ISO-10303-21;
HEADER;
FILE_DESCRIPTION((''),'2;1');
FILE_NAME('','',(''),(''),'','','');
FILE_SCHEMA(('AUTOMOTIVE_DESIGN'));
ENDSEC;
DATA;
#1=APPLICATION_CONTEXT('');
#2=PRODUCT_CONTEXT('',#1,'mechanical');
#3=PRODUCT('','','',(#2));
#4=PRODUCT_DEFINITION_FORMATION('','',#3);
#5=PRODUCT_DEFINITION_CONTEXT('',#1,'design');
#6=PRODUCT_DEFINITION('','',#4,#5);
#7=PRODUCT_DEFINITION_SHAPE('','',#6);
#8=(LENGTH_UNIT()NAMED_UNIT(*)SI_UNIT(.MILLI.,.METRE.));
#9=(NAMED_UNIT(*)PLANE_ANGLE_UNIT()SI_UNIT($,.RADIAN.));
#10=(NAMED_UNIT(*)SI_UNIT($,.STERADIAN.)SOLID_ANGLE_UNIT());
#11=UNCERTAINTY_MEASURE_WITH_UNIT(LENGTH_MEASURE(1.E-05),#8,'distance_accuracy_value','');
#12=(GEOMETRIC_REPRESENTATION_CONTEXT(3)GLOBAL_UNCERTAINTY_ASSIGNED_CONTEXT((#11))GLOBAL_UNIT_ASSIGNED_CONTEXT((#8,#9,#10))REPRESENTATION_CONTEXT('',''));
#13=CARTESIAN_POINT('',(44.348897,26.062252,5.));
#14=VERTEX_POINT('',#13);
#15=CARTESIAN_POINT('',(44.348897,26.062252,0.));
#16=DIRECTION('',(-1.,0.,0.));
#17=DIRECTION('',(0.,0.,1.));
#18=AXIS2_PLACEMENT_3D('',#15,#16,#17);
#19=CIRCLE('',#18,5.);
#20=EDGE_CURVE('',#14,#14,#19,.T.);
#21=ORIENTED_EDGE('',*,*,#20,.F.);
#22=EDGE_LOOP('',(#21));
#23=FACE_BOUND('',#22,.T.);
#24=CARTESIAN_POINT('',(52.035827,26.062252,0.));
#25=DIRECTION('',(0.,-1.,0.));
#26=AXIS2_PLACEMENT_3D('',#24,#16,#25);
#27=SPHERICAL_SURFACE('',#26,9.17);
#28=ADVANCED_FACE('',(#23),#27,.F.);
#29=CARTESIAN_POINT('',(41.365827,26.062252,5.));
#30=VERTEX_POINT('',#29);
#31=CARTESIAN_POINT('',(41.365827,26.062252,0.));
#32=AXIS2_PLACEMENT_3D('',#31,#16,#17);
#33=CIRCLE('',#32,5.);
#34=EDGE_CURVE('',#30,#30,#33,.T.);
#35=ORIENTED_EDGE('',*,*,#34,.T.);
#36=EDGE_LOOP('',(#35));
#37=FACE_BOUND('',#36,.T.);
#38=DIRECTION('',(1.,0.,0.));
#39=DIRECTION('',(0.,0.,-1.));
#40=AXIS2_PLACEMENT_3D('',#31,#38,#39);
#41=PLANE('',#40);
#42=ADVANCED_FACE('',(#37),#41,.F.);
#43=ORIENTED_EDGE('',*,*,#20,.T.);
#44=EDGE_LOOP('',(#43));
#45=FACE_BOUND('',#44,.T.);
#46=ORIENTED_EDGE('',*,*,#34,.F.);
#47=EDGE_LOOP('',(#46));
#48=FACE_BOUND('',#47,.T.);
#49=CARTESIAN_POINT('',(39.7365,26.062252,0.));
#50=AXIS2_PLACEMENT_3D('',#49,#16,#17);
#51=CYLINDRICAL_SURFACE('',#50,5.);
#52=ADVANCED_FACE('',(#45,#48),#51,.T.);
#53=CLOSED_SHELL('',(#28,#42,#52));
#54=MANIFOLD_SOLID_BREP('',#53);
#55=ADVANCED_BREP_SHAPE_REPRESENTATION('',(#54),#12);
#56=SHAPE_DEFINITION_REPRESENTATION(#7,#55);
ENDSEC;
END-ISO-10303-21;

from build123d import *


with BuildPart() as part:
    # 草图1 → 旋转1 (revolve)
    with BuildSketch(Plane.XY, mode=Mode.PRIVATE) as revolve_1_sk:
        with BuildLine():
            Line((41.365827325, 26.062252183), (41.365827325, 31.062252183))
            Line((41.365827325, 31.062252183), (44.348896859, 31.062252183))
            ThreePointArc((44.348896859, 31.062252183), (43.244409568, 28.669908949), (42.865827325, 26.062252183))
            Line((42.865827325, 26.062252183), (41.365827325, 26.062252183))
        make_face()
    revolve(revolve_1_sk.sketch.rotate(Axis((39.736500013, 26.062252183, 0), (1, 0, 0)), 180), axis=Axis((39.736500013, 26.062252183, 0), (1, 0, 0)))  # turned: the seam where the file's is


solid = part.part
